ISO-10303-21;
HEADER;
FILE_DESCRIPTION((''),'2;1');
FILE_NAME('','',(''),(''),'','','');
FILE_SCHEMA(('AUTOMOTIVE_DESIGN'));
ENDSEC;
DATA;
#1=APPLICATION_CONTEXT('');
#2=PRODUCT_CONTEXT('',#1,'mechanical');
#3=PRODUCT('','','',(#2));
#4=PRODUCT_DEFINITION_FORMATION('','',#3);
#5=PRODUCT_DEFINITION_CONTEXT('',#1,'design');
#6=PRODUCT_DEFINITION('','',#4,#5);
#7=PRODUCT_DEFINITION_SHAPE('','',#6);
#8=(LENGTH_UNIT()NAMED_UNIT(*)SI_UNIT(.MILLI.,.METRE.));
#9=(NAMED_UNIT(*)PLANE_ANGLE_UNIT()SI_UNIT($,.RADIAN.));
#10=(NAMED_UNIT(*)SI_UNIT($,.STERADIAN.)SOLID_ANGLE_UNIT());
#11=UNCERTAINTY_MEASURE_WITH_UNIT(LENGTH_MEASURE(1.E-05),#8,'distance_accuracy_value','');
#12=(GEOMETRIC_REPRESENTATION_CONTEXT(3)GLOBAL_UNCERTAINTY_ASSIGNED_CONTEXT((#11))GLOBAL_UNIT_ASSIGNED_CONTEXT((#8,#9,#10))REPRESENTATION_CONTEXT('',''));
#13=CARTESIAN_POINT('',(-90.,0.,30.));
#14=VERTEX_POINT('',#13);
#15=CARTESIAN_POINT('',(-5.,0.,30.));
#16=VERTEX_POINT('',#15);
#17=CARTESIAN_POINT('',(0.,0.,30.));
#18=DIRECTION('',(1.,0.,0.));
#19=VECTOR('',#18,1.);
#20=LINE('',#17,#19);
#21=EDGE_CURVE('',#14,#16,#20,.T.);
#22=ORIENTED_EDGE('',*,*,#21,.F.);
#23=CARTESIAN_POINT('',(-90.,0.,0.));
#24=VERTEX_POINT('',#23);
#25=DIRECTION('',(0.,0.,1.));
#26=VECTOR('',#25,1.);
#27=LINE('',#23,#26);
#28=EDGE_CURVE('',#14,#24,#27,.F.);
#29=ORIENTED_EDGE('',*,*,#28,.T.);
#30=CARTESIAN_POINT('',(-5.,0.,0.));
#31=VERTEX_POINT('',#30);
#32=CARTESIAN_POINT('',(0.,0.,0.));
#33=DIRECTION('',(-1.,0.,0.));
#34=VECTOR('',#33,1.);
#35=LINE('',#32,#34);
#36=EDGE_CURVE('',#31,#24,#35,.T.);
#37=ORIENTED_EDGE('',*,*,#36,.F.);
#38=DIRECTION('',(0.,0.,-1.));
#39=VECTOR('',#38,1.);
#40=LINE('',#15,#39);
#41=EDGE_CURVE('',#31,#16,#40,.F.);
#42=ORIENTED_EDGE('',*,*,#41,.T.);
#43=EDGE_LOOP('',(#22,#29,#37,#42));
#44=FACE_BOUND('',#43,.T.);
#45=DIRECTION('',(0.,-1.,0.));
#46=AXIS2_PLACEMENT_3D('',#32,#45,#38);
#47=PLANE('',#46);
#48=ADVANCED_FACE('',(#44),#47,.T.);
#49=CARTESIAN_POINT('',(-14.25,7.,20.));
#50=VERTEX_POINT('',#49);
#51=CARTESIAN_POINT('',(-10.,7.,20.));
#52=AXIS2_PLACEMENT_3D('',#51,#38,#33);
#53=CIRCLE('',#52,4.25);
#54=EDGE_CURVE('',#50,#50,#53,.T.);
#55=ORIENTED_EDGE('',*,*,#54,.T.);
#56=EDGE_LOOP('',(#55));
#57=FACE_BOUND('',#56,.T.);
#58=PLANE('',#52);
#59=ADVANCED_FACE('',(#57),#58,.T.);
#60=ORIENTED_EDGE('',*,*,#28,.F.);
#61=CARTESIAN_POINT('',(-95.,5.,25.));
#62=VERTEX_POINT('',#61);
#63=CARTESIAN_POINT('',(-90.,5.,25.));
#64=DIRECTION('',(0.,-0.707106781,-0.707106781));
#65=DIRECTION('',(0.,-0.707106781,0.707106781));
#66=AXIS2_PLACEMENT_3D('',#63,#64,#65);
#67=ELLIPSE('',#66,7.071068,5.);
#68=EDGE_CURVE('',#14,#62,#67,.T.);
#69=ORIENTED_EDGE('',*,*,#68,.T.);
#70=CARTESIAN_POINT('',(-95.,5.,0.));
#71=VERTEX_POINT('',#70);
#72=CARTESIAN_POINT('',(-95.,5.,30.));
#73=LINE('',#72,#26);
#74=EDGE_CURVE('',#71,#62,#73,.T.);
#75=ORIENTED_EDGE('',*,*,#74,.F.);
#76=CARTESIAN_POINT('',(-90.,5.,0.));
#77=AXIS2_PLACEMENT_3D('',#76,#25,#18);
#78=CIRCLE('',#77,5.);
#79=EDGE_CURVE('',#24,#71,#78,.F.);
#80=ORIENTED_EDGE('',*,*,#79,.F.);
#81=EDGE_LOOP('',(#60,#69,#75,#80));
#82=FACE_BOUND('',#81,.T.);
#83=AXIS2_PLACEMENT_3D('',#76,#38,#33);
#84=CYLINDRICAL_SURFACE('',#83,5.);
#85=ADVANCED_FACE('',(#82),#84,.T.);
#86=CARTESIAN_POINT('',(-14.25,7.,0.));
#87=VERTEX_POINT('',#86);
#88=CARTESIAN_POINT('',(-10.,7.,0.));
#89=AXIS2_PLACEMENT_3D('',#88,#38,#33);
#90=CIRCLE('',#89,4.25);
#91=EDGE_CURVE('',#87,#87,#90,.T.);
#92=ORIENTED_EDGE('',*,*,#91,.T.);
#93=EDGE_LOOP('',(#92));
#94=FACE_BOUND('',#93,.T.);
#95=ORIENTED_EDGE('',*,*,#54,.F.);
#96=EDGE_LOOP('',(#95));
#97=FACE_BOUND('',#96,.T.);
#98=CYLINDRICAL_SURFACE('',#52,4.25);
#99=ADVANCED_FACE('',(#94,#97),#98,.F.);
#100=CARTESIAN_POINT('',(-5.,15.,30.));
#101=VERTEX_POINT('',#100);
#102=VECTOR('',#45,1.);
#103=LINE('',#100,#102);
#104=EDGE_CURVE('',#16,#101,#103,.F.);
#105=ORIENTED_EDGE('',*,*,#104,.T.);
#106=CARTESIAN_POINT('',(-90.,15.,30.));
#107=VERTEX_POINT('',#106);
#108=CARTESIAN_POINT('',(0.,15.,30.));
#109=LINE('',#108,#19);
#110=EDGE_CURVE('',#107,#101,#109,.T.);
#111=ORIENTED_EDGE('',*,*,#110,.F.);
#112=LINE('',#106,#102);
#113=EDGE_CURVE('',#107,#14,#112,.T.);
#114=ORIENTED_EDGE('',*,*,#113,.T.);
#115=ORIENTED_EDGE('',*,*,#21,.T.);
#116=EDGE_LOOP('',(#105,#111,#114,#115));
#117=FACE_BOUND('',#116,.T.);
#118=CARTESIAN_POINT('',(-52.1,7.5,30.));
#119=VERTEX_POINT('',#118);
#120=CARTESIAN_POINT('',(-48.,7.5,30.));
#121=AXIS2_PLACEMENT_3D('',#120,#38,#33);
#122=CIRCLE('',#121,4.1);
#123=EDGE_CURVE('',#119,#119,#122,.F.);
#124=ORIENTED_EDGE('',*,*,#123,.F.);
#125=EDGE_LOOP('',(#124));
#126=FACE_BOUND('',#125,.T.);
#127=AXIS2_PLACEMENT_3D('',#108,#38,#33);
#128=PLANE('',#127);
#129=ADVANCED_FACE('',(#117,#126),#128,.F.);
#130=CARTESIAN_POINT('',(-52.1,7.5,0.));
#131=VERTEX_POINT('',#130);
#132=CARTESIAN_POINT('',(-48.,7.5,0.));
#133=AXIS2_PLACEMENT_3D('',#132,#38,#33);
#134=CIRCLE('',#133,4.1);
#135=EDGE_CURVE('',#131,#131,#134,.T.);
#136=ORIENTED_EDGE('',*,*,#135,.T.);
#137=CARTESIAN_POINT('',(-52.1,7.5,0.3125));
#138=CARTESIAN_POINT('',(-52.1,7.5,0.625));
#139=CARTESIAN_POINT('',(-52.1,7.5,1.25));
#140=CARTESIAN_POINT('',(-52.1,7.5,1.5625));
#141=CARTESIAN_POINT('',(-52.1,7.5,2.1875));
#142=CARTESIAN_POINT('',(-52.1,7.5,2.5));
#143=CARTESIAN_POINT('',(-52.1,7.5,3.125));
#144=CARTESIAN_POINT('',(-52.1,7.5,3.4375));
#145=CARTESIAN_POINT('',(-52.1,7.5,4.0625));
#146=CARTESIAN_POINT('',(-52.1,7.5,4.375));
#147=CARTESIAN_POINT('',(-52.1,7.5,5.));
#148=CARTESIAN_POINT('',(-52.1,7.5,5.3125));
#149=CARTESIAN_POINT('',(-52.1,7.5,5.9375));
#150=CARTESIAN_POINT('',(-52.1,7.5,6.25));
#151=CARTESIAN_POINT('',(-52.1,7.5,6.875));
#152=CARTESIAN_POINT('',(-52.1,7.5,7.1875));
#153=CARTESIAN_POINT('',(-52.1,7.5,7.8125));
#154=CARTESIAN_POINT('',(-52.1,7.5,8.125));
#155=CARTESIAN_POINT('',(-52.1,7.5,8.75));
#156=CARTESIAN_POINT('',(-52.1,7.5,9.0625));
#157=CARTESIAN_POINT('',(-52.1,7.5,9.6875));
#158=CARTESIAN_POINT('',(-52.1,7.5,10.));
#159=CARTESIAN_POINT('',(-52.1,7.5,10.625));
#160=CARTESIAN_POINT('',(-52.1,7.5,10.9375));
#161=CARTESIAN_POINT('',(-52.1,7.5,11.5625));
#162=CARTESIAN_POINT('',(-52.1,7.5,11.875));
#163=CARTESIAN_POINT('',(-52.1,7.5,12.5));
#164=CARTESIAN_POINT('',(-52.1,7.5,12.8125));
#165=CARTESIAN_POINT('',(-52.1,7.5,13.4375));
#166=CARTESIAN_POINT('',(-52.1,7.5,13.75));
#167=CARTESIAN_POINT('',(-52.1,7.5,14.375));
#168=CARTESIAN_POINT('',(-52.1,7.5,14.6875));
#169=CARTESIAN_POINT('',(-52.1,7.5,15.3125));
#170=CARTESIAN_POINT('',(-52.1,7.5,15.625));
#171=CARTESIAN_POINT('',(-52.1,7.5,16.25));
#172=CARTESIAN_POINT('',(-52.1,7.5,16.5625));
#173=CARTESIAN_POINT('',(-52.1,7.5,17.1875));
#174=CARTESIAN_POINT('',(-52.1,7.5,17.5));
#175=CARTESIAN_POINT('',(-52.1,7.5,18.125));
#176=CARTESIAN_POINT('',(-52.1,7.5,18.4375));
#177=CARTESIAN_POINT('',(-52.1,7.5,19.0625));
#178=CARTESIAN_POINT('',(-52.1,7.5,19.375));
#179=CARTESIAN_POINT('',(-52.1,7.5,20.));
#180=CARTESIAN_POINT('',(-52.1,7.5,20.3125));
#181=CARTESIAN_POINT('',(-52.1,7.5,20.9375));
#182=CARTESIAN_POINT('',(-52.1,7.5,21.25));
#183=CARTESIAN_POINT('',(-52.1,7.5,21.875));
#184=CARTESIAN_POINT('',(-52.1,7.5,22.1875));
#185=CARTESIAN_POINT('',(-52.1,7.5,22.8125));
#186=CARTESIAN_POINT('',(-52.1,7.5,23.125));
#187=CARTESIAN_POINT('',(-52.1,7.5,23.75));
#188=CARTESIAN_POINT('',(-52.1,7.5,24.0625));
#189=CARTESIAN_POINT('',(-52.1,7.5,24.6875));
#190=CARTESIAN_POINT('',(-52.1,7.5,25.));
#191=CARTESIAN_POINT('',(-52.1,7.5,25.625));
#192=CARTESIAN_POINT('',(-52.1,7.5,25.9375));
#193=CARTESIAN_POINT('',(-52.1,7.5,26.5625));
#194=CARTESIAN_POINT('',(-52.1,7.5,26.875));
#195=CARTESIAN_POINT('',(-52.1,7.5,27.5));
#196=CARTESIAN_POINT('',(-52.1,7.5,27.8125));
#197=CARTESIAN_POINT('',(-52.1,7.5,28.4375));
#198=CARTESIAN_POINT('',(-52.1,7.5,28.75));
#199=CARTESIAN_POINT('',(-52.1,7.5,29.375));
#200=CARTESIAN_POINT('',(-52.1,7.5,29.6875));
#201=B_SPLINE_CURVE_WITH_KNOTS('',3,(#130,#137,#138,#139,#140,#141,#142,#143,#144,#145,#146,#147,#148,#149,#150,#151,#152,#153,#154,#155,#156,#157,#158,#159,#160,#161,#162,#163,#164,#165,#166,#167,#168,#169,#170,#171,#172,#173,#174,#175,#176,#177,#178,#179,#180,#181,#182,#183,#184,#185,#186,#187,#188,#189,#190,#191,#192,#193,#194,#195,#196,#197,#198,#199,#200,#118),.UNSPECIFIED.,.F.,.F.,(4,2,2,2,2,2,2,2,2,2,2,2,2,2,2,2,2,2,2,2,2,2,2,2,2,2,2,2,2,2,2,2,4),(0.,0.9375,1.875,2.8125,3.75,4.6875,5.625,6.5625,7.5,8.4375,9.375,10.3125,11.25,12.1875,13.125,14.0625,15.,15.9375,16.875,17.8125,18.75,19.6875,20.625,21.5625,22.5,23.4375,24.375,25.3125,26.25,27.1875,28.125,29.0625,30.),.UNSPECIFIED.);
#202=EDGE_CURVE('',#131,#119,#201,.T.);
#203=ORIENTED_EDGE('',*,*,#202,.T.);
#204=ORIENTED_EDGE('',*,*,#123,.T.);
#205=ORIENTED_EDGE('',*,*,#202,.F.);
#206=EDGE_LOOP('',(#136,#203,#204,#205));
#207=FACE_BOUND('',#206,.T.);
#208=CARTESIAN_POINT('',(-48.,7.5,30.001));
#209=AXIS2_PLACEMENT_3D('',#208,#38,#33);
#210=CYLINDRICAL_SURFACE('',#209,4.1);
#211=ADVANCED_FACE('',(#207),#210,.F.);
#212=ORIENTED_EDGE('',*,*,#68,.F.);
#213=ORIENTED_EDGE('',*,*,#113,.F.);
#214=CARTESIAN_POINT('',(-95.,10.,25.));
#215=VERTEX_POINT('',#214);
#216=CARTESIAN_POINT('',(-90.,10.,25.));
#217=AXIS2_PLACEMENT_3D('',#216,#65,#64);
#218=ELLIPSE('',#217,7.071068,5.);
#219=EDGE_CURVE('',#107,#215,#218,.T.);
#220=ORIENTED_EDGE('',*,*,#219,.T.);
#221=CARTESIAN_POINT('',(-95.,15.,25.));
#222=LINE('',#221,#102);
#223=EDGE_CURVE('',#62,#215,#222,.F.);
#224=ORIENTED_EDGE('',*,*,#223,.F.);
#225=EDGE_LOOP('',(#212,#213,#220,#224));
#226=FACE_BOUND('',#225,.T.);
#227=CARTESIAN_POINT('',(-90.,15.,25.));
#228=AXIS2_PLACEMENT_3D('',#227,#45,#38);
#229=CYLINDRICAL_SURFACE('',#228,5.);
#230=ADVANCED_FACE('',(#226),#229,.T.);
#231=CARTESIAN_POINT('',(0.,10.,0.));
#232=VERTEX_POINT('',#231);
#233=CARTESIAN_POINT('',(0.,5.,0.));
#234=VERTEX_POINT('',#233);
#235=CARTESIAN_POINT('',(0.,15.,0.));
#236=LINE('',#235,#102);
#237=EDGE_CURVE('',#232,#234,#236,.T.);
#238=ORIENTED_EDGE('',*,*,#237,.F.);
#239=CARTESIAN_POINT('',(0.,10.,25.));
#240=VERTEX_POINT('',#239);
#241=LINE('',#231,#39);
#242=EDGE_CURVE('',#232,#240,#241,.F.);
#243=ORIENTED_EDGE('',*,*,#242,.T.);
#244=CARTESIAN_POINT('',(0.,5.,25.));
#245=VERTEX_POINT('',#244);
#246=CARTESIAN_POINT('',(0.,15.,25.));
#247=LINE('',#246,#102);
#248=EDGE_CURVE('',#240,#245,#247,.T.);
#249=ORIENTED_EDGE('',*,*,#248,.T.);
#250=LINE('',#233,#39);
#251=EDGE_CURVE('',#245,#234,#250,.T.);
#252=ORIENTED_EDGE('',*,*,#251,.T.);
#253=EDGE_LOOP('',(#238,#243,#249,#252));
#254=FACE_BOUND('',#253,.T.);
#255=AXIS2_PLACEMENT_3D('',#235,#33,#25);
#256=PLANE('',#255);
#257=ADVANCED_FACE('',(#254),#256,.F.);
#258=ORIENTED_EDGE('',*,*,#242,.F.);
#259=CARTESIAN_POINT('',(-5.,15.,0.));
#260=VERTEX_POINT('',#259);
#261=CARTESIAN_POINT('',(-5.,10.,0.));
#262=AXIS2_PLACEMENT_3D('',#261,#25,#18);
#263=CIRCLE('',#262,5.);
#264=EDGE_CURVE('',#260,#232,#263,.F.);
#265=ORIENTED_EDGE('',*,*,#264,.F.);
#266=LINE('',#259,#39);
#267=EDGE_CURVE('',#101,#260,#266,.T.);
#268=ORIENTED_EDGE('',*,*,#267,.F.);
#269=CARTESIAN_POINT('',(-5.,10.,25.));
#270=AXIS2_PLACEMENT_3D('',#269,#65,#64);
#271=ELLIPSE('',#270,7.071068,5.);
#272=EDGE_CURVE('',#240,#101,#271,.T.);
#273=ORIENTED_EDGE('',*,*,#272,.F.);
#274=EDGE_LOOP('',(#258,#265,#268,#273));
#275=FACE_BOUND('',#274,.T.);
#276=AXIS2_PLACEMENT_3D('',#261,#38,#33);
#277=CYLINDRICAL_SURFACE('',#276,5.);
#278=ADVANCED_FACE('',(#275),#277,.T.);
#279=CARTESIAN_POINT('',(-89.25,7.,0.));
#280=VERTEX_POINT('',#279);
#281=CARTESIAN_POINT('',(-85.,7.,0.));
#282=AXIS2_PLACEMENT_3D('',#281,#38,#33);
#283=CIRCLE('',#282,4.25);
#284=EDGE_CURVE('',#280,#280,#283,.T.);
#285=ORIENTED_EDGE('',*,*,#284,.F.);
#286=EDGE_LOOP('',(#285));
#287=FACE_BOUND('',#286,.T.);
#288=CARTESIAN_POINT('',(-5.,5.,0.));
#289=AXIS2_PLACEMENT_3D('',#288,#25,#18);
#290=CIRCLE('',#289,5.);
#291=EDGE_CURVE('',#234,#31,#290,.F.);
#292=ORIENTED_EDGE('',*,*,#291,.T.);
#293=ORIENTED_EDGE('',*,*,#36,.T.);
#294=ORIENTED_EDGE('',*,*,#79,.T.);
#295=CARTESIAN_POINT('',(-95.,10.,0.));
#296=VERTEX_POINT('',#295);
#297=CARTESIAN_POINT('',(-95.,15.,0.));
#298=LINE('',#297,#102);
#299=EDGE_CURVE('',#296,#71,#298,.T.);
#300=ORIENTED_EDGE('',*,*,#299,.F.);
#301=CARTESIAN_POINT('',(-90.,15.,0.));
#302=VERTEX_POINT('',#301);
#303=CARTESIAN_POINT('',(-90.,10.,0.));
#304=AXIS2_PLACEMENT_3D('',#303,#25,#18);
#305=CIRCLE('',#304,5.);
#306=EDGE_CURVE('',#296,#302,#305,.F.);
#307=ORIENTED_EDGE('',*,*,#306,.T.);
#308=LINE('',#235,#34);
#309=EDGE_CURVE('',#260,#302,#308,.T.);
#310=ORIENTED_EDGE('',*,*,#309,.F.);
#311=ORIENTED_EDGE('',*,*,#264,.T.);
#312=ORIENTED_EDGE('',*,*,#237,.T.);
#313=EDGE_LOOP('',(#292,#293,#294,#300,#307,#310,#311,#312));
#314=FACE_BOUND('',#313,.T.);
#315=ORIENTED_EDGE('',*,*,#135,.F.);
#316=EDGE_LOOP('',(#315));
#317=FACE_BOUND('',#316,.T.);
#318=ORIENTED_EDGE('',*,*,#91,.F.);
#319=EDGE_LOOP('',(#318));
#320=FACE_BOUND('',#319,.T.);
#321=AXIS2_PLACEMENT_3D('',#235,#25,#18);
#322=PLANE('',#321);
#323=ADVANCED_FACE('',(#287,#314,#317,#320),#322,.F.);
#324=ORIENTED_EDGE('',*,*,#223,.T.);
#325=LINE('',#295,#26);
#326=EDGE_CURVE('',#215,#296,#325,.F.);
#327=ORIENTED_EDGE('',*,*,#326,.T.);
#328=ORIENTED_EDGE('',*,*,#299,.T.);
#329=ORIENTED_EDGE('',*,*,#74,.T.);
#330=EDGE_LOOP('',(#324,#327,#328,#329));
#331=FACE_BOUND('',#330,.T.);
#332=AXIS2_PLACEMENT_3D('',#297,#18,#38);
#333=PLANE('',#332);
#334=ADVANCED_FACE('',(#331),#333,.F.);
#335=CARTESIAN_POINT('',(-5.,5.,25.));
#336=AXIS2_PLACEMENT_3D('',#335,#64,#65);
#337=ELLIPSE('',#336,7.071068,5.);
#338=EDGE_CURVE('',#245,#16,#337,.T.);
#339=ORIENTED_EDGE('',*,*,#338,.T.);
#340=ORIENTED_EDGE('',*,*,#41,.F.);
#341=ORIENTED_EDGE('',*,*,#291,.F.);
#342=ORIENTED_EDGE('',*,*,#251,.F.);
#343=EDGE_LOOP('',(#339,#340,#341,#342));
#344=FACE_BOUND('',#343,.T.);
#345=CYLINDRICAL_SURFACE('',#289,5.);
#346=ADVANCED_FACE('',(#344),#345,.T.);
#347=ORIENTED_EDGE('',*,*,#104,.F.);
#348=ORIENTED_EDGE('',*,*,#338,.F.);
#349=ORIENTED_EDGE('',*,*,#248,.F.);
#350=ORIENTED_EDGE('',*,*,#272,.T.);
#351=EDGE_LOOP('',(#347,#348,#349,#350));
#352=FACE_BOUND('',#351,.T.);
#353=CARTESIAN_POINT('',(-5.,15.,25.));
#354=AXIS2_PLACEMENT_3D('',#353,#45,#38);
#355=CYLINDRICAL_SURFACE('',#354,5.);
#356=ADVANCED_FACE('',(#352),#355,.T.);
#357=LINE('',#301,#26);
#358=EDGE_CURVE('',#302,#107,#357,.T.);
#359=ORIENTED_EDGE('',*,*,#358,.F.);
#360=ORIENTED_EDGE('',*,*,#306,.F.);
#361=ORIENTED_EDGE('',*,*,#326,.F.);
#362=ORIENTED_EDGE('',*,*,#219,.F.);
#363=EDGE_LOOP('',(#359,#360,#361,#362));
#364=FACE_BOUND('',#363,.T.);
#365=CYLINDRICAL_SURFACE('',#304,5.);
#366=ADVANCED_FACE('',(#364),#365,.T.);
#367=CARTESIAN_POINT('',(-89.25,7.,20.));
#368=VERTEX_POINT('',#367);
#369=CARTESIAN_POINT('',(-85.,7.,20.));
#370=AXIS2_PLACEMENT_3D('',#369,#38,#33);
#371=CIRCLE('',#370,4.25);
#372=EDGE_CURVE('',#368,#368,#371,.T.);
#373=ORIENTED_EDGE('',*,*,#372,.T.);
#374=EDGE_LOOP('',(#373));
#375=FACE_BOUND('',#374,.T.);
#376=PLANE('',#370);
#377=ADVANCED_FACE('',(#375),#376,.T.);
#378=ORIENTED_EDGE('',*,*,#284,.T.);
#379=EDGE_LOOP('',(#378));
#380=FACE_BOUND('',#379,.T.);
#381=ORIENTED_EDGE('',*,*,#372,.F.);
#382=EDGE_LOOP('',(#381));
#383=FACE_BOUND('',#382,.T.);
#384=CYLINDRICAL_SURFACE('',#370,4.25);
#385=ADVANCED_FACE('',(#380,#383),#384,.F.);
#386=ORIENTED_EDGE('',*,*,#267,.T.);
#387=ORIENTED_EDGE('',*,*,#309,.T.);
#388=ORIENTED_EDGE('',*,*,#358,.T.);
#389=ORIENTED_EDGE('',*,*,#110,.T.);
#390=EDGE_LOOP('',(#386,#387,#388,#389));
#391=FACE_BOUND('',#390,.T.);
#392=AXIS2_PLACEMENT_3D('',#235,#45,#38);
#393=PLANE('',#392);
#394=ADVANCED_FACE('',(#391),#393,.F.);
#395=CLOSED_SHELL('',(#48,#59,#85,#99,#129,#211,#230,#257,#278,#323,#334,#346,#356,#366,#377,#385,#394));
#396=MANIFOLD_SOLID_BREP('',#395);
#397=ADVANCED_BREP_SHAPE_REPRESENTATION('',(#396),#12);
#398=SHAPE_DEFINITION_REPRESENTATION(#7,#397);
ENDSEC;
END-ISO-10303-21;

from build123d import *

# Parameters (mm, degrees)
ESQUISSE1_W             = 95
ESQUISSE1_H             = 30
BOSS_EXTRU_1_DEPTH      = 15
ESQUISSE2_R             = 4.25
ENL_V_MAT_EXTRU_2_DEPTH = 20
ENL_V_MAT_EXTRU_3_REACH = 102.747
ESQUISSE3_R             = 4.1
CONG_1_R                = 5


with BuildPart() as part:
    # Esquisse1 → Boss.-Extru.1 (new body)
    with BuildSketch(Plane(origin=(0, 0, 0), x_dir=(1, 0, 0), z_dir=(0, 1, 0))):
        with Locations((-47.5, -15)):
            Rectangle(ESQUISSE1_W, ESQUISSE1_H)
    extrude(amount=BOSS_EXTRU_1_DEPTH)

    # Esquisse2 → Enlèv. mat.-Extru.2 (cut)
    with BuildSketch(Plane(origin=(0, 0, 0), x_dir=(-1, 0, 0), z_dir=(0, 0, -1))):
        with Locations((10, 7)):
            Circle(ESQUISSE2_R)
        with Locations((85, 7)):
            Circle(ESQUISSE2_R)
    extrude(amount=-ENL_V_MAT_EXTRU_2_DEPTH, mode=Mode.SUBTRACT)

    # Esquisse3 → Enlèv. mat.-Extru.3 (cut, up to next)
    with BuildSketch(Plane(origin=(0, 0, 0), x_dir=(-1, 0, 0), z_dir=(0, 0, -1)), mode=Mode.PRIVATE) as enl_v_mat_extru_3_sk1:
        with Locations((48, 7.5)):
            Circle(ESQUISSE3_R)
    enl_v_mat_extru_3_tool1 = extrude(enl_v_mat_extru_3_sk1.sketch, amount=-ENL_V_MAT_EXTRU_3_REACH, mode=Mode.PRIVATE) & part.part
    add(enl_v_mat_extru_3_tool1.solids().sort_by_distance((-48, 7.5, 0))[0], mode=Mode.SUBTRACT)

    # Congé1
    cong_1_edges = [part.edges().sort_by_distance(p)[0] for p in [
        (-95, 15, 15),
        (0, 15, 15),
        (-95, 0, 15),
        (0, 0, 15),
        (0, 7.5, 30),
        (-95, 7.5, 30),
    ]]
    fillet(cong_1_edges, radius=CONG_1_R)


solid = part.part
